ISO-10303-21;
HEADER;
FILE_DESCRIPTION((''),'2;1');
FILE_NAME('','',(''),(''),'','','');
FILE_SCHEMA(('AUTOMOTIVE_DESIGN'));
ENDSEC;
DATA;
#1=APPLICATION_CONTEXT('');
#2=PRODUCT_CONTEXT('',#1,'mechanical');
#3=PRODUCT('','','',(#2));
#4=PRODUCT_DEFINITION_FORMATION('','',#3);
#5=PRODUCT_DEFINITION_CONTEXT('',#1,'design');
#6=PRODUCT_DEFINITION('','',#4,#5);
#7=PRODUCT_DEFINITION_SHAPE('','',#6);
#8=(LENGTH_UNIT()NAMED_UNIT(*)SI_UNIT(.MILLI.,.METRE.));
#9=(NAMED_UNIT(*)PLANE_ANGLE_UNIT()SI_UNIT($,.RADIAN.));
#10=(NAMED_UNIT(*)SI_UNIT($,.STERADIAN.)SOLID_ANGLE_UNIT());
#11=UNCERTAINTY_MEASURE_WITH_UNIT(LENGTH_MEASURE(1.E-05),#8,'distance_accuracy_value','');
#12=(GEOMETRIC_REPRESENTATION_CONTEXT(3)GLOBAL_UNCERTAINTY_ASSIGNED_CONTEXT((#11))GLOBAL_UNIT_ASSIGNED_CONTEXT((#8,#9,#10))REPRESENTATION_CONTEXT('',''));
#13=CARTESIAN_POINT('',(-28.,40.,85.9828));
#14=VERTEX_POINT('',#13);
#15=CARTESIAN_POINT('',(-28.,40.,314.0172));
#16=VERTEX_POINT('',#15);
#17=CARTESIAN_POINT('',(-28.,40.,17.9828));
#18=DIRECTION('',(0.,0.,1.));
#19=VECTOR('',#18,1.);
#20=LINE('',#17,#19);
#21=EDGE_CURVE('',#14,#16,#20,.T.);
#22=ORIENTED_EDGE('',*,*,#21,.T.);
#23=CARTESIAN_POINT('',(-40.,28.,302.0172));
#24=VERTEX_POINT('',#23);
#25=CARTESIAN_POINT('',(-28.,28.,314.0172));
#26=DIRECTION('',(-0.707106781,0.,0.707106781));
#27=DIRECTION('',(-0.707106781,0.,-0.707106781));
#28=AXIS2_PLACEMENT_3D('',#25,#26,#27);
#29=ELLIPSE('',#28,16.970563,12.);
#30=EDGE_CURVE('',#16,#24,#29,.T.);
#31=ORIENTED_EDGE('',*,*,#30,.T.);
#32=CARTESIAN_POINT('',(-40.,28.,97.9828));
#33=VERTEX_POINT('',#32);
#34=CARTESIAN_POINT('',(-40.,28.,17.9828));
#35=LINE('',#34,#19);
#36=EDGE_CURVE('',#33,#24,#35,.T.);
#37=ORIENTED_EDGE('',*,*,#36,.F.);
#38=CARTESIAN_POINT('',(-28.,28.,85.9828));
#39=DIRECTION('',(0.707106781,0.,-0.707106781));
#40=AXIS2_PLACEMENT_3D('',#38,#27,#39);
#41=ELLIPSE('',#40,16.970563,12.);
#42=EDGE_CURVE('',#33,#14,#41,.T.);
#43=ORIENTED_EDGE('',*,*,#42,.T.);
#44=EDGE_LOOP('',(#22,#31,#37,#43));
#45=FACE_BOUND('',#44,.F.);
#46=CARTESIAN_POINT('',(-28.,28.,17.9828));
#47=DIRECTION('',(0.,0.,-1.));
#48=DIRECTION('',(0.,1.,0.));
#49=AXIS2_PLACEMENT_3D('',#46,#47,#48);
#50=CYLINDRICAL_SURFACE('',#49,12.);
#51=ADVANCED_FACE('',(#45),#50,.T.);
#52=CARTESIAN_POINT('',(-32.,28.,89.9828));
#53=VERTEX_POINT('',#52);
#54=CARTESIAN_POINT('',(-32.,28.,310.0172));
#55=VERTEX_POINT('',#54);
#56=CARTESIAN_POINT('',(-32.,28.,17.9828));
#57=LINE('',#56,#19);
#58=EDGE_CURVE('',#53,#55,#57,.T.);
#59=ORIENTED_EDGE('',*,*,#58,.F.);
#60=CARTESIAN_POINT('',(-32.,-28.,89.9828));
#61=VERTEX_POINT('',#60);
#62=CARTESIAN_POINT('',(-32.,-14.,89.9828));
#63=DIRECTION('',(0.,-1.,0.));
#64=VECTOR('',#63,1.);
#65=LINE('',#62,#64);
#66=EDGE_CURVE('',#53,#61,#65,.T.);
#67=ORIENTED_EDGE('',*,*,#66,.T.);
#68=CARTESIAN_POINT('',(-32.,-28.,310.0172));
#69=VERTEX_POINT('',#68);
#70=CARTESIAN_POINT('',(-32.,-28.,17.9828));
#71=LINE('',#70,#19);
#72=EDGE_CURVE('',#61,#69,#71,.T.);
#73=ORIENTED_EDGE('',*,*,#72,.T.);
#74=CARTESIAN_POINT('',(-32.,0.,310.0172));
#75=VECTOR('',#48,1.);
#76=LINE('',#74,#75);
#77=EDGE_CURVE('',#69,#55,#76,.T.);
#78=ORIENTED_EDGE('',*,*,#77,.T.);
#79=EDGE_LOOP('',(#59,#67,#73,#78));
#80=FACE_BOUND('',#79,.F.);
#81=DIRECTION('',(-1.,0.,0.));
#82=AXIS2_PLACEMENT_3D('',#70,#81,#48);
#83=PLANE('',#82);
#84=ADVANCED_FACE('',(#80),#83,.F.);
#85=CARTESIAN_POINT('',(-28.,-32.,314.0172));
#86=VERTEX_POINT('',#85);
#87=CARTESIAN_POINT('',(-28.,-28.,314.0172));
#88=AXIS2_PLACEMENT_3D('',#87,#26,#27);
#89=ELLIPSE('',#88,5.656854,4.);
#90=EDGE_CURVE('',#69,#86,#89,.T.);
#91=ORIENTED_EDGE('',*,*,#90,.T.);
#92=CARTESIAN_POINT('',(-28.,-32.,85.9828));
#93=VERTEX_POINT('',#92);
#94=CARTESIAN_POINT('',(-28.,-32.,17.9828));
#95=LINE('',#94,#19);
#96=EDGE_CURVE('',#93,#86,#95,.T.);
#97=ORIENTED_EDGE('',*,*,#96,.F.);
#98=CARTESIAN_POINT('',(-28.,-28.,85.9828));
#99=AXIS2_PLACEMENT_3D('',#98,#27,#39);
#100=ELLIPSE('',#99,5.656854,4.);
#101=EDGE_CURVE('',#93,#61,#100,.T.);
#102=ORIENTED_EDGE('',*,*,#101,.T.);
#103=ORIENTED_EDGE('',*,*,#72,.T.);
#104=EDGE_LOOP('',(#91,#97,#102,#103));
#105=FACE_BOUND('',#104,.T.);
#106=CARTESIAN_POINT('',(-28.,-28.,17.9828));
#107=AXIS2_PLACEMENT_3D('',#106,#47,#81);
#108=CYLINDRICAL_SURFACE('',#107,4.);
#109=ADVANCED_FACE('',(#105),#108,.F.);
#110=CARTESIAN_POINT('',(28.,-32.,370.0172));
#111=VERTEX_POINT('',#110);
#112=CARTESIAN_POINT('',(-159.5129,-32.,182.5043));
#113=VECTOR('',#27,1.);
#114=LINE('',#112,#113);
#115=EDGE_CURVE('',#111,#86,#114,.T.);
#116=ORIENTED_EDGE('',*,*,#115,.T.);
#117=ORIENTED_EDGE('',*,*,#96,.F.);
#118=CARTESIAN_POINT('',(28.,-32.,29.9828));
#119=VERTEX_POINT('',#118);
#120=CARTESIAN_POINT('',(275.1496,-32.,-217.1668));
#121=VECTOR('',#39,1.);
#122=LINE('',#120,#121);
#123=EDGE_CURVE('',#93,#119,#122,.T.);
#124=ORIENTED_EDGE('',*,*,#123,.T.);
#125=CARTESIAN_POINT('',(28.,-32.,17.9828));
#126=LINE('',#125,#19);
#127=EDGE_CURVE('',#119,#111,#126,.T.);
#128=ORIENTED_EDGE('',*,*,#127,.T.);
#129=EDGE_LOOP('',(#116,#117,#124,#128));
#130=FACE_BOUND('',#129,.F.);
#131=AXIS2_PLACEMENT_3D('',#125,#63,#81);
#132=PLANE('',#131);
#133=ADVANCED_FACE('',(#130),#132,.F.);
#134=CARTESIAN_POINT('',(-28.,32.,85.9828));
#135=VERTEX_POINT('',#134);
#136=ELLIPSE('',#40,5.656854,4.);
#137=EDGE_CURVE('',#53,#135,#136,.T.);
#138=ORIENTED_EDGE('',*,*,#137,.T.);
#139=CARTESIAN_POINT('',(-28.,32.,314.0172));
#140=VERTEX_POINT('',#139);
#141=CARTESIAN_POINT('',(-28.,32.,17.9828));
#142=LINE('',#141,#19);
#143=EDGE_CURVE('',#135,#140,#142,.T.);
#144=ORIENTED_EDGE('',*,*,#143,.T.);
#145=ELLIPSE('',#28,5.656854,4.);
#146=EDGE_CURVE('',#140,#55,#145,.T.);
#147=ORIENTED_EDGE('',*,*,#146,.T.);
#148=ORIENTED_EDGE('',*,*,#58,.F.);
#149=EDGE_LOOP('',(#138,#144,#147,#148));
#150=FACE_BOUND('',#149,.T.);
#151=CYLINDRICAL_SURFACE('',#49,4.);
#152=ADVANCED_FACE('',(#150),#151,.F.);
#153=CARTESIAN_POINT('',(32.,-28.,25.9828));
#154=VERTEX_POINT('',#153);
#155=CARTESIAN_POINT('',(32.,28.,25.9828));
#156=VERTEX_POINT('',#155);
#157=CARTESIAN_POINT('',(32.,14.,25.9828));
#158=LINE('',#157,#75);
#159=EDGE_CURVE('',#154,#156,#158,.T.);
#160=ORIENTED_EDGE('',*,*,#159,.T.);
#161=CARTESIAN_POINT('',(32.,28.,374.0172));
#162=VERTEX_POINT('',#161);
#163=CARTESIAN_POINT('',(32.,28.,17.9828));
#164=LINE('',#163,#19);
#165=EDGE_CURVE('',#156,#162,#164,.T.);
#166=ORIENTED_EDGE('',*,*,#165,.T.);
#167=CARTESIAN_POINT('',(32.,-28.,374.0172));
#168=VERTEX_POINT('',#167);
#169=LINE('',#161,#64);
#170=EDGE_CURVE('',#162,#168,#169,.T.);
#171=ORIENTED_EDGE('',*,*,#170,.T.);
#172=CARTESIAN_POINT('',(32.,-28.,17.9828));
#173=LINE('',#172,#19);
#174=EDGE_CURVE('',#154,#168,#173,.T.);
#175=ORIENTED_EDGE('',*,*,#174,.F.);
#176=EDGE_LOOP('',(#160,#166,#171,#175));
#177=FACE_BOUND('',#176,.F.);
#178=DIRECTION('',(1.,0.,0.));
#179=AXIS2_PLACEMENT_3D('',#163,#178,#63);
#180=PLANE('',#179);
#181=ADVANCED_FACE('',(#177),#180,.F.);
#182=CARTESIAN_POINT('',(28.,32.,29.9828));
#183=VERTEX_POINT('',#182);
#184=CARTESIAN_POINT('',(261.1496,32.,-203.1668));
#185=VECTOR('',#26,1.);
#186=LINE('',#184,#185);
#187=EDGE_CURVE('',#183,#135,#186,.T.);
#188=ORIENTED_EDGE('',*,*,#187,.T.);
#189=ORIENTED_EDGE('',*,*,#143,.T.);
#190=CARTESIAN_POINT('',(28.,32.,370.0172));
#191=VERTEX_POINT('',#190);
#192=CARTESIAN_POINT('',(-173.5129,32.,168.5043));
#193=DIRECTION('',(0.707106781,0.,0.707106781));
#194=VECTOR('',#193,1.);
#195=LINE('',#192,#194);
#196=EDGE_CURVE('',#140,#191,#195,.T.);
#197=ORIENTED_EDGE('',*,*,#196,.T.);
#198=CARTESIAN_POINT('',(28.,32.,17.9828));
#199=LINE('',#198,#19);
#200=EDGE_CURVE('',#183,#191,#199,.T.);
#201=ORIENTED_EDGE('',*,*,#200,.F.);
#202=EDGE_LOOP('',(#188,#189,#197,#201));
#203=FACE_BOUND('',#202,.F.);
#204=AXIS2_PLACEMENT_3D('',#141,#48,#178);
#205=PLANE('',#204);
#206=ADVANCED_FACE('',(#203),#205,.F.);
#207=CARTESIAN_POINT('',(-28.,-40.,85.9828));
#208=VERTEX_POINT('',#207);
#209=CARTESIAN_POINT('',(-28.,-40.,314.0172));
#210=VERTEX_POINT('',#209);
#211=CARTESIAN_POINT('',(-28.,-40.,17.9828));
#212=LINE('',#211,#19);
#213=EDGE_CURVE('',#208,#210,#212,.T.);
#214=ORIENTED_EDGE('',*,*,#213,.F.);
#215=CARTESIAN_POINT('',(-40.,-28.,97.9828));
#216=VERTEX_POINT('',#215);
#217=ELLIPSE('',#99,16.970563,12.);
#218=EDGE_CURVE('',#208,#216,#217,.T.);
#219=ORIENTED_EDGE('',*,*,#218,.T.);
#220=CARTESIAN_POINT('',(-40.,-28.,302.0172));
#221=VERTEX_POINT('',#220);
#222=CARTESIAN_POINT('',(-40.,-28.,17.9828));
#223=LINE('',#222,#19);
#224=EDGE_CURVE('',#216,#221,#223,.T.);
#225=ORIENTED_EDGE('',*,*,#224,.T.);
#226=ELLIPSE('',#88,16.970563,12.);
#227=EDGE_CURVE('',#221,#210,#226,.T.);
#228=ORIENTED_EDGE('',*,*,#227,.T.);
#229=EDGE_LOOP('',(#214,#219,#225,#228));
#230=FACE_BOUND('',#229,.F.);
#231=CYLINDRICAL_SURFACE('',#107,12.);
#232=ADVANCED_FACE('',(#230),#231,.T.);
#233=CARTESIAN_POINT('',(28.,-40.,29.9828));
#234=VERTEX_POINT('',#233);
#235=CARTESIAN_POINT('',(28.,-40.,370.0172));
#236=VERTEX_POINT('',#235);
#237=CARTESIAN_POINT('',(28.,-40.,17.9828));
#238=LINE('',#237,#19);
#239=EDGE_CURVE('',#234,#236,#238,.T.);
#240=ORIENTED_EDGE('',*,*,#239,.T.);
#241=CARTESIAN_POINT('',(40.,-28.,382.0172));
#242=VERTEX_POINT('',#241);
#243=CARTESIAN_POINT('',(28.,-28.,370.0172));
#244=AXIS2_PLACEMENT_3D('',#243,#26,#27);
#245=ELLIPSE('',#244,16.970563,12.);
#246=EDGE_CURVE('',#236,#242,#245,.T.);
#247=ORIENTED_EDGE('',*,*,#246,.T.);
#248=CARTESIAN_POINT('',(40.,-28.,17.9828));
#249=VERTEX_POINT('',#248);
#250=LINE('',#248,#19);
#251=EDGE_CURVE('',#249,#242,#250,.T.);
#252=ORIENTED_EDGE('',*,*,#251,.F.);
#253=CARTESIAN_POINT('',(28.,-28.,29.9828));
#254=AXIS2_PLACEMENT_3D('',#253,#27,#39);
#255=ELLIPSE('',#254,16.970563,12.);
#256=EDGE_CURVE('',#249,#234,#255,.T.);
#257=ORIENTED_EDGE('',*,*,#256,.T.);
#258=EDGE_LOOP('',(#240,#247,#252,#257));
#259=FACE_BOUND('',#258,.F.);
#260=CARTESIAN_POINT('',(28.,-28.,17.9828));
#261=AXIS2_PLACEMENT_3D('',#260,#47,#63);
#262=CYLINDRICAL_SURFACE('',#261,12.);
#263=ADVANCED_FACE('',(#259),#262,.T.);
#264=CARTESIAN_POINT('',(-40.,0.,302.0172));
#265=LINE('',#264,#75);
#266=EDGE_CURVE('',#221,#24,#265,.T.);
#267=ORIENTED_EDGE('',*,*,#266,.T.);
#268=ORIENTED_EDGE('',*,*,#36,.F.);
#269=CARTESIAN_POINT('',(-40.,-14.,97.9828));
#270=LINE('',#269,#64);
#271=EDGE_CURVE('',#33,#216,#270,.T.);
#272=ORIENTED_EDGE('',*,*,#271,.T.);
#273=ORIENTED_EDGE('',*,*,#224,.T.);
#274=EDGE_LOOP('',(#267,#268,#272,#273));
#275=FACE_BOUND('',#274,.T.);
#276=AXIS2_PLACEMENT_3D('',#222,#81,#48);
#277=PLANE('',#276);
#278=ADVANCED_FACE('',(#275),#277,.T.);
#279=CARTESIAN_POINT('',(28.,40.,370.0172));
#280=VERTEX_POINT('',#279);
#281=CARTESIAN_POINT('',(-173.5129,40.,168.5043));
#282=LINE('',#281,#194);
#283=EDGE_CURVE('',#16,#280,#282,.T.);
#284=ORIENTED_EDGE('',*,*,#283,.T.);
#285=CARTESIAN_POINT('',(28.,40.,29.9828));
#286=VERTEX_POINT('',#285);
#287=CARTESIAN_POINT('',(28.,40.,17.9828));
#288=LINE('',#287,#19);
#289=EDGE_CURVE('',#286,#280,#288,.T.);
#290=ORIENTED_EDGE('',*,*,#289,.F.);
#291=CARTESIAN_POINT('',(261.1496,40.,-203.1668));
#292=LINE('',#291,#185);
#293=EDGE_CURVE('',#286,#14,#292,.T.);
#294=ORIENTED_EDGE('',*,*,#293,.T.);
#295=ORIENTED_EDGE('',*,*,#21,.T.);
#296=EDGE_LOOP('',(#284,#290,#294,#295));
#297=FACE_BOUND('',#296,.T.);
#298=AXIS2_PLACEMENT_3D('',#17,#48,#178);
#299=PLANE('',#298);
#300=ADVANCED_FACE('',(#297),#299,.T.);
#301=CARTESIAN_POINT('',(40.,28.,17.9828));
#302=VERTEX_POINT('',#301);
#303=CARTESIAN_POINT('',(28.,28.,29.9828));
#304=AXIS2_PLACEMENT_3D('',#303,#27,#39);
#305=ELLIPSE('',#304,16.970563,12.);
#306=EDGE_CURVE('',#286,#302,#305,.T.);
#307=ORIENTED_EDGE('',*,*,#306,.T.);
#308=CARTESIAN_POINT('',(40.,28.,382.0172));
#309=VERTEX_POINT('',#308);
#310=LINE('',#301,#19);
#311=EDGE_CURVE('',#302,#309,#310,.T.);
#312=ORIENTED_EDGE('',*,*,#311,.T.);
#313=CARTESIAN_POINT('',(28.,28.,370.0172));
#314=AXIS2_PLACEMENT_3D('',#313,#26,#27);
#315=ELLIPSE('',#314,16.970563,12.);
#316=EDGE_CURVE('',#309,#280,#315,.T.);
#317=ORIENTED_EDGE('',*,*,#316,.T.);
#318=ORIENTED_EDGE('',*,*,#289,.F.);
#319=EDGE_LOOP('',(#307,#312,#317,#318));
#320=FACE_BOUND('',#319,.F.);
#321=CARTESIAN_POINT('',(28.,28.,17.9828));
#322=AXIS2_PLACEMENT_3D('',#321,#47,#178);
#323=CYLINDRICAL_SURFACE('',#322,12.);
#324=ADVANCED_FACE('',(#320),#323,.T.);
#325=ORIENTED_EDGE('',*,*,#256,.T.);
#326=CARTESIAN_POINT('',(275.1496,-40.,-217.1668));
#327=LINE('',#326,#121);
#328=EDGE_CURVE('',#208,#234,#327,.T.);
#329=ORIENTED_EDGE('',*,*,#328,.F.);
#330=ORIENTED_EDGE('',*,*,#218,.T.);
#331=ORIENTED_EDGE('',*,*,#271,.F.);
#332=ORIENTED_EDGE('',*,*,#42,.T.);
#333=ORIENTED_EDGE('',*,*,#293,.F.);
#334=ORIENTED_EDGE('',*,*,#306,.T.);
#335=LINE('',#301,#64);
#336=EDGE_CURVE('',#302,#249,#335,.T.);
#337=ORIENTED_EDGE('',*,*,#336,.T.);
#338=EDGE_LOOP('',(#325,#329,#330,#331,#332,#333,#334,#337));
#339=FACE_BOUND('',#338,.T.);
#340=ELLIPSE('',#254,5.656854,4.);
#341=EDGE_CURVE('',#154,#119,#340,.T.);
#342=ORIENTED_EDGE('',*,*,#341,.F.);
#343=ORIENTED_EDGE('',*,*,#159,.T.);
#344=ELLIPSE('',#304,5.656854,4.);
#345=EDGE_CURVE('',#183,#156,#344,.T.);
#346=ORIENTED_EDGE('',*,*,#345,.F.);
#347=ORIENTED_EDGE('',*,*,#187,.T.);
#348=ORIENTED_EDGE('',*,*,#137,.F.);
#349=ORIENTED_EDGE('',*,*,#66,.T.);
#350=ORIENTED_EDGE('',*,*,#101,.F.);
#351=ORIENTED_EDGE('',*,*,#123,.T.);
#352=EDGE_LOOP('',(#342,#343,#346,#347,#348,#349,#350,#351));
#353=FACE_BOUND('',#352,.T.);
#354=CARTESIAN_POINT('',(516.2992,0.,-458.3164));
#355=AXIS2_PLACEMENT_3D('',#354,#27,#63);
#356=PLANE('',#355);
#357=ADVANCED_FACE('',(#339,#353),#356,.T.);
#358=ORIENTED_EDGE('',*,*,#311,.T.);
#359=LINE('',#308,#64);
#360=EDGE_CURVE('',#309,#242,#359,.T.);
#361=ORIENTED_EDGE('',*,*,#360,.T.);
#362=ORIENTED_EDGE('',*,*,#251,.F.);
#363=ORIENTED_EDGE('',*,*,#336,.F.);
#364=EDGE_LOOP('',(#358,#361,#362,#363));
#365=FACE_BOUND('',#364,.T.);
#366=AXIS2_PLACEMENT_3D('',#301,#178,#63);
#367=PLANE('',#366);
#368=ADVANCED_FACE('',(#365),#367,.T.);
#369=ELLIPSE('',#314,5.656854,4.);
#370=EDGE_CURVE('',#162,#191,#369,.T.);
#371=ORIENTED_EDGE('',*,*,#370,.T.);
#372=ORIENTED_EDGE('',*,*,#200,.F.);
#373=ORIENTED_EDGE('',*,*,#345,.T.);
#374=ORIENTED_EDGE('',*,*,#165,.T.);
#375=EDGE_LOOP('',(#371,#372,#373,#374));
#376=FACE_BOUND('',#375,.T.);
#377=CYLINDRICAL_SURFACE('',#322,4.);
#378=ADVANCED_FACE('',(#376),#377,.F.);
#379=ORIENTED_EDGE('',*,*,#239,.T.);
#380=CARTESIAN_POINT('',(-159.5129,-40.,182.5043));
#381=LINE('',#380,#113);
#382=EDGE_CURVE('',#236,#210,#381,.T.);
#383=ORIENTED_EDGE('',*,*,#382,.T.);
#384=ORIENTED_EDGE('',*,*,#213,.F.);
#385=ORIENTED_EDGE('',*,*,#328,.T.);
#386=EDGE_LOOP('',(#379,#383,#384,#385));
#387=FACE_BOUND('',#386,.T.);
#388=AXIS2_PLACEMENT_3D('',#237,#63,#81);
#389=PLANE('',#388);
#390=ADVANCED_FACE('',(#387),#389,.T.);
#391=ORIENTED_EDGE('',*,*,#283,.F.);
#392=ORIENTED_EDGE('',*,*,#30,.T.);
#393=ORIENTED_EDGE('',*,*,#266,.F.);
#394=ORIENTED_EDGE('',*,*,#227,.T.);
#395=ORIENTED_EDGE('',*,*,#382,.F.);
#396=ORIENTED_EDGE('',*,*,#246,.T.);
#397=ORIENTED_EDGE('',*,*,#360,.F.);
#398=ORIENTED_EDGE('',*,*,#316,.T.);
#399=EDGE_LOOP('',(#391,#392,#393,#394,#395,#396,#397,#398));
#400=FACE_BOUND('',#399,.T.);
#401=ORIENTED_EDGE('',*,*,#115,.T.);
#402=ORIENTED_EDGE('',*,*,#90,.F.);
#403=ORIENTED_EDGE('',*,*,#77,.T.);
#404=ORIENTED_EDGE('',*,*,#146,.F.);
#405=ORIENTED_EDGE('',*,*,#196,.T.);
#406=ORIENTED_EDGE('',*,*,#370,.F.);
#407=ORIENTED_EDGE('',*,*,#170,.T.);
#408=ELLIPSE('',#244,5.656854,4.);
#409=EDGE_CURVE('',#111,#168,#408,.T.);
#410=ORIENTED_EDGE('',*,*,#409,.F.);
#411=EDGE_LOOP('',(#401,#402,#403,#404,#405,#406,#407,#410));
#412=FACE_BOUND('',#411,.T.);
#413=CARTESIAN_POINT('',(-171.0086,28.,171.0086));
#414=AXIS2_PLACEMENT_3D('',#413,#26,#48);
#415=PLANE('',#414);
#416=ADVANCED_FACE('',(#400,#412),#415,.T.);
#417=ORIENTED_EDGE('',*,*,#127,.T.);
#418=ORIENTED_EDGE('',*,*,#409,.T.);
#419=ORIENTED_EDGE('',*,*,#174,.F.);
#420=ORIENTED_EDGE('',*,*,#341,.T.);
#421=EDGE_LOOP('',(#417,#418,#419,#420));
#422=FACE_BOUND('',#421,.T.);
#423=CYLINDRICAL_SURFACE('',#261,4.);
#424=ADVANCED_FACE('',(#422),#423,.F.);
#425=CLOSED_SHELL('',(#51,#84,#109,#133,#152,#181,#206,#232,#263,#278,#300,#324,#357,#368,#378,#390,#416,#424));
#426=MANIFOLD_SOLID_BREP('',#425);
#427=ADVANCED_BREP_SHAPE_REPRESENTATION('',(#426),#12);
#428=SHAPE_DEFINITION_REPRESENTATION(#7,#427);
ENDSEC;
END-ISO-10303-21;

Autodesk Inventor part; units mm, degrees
ref_plane "Start Plane" through (0, 0, 17.9828) normal (0, 0, 1) x (1, 0, 0)
ref_plane "End Plane" through (0, 0, 382.0172) normal (0, 0, 1) x (1, 0, 0)
sketch "Sketch" plane through (0, 0, 0) normal (0, 0, 1) x (1, 0, 0)
  line L0 (-40, -28) -> (-40, 28)
  line L1 (-28, 40) -> (28, 40)
  line L2 (40, 28) -> (40, -28)
  line L3 (28, -40) -> (-28, -40)
  arc A0 (-40, -28) -> (-28, -40) centre (-28, -28) ccw
  arc A1 (-28, 40) -> (-40, 28) centre (-28, 28) ccw
  arc A2 (40, 28) -> (28, 40) centre (28, 28) ccw
  arc A3 (28, -40) -> (40, -28) centre (28, -28) ccw
  arc A4 (-28, 32) -> (-32, 28) centre (-28, 28) ccw
  line L4 (-28, 32) -> (28, 32)
  arc A5 (32, 28) -> (28, 32) centre (28, 28) ccw
  line L5 (32, 28) -> (32, -28)
  arc A6 (28, -32) -> (32, -28) centre (28, -28) ccw
  line L6 (28, -32) -> (-28, -32)
  arc A7 (-32, -28) -> (-28, -32) centre (-28, -28) ccw
  line L7 (-32, -28) -> (-32, 28)
  line L8 (0, 59.4794) -> (0, -59.4794) construction
  line L9 (-59.4794, 0) -> (59.4794, 0) construction
  dimension "d7" = 12
  dimension "d10" = 80
  dimension "d11" = 80
  dimension "d12" = 8
  dimension "d15" = 40
  dimension "d16" = 40
extrude "Body" add sketch "Sketch" along normal up to surface (364.0345 mm away) from surface at 17.9828
sketch "Sketch3" plane through (0, 0, 0) normal (0, 0, 1) x (1, 0, 0)
  line L0 (0, 0) -> (10, 0)
ref_plane "Work Plane3" through (0, 0, 0) normal (0, -1, 0) x (1, 0, 0)
ref_plane "Work Plane4" through (516.2992, 0, -458.3164) normal (-0.7071, 0, -0.7071) x (-0.7071, 0, 0.7071)
split "Split1" plane through (516.2992, 0, -458.3164) removes the side toward (-0.7071, 0, -0.7071)
ref_plane "Work Plane5" through (-171.0086, 28, 171.0086) normal (-0.7071, 0, 0.7071) x (0.7071, 0, 0.7071)
split "Split2" plane through (-171.0086, 28, 171.0086) removes the side toward (-0.7071, 0, 0.7071)
sketch "Sketch4" plane through (0, 0, 0) normal (0, -1, 0) x (1, 0, 0)
  line L0 (-2, 17.9828) -> (12, 17.9828) projected
  line L1 (-2, 382.0172) -> (12, 382.0172) projected
  dimension "d18" = 364.0345
equation "\"d7\" = G_IR"
equation "\"d10\" = G_H"
equation "\"d11\" = G_W"
equation "\"d12\" = G_T"
equation "\"d15\" = 0.5 * d10"
equation "\"d16\" = 0.5 * d11"
equation "\"d3\" = G_L"
equation "\"G_W\" = 80"
equation "\"G_H\" = 80"
equation "\"G_T\" = 8"
equation "\"G_IR\" = 12"
equation "\"G_L\" = d18"
equation "\"G_OFFSET_START\" = -17.98276"
equation "\"G_OFFSET_END\" = -17.98276"
equation "\"d13\" = -G_OFFSET_START"
equation "\"d14\" = G_OFFSET_END + B_L"
equation "\"B_L\" = 400"
properties part number "ISO 12633-2 - 80x80x8 - 364.03" material "Steel, Mild"
